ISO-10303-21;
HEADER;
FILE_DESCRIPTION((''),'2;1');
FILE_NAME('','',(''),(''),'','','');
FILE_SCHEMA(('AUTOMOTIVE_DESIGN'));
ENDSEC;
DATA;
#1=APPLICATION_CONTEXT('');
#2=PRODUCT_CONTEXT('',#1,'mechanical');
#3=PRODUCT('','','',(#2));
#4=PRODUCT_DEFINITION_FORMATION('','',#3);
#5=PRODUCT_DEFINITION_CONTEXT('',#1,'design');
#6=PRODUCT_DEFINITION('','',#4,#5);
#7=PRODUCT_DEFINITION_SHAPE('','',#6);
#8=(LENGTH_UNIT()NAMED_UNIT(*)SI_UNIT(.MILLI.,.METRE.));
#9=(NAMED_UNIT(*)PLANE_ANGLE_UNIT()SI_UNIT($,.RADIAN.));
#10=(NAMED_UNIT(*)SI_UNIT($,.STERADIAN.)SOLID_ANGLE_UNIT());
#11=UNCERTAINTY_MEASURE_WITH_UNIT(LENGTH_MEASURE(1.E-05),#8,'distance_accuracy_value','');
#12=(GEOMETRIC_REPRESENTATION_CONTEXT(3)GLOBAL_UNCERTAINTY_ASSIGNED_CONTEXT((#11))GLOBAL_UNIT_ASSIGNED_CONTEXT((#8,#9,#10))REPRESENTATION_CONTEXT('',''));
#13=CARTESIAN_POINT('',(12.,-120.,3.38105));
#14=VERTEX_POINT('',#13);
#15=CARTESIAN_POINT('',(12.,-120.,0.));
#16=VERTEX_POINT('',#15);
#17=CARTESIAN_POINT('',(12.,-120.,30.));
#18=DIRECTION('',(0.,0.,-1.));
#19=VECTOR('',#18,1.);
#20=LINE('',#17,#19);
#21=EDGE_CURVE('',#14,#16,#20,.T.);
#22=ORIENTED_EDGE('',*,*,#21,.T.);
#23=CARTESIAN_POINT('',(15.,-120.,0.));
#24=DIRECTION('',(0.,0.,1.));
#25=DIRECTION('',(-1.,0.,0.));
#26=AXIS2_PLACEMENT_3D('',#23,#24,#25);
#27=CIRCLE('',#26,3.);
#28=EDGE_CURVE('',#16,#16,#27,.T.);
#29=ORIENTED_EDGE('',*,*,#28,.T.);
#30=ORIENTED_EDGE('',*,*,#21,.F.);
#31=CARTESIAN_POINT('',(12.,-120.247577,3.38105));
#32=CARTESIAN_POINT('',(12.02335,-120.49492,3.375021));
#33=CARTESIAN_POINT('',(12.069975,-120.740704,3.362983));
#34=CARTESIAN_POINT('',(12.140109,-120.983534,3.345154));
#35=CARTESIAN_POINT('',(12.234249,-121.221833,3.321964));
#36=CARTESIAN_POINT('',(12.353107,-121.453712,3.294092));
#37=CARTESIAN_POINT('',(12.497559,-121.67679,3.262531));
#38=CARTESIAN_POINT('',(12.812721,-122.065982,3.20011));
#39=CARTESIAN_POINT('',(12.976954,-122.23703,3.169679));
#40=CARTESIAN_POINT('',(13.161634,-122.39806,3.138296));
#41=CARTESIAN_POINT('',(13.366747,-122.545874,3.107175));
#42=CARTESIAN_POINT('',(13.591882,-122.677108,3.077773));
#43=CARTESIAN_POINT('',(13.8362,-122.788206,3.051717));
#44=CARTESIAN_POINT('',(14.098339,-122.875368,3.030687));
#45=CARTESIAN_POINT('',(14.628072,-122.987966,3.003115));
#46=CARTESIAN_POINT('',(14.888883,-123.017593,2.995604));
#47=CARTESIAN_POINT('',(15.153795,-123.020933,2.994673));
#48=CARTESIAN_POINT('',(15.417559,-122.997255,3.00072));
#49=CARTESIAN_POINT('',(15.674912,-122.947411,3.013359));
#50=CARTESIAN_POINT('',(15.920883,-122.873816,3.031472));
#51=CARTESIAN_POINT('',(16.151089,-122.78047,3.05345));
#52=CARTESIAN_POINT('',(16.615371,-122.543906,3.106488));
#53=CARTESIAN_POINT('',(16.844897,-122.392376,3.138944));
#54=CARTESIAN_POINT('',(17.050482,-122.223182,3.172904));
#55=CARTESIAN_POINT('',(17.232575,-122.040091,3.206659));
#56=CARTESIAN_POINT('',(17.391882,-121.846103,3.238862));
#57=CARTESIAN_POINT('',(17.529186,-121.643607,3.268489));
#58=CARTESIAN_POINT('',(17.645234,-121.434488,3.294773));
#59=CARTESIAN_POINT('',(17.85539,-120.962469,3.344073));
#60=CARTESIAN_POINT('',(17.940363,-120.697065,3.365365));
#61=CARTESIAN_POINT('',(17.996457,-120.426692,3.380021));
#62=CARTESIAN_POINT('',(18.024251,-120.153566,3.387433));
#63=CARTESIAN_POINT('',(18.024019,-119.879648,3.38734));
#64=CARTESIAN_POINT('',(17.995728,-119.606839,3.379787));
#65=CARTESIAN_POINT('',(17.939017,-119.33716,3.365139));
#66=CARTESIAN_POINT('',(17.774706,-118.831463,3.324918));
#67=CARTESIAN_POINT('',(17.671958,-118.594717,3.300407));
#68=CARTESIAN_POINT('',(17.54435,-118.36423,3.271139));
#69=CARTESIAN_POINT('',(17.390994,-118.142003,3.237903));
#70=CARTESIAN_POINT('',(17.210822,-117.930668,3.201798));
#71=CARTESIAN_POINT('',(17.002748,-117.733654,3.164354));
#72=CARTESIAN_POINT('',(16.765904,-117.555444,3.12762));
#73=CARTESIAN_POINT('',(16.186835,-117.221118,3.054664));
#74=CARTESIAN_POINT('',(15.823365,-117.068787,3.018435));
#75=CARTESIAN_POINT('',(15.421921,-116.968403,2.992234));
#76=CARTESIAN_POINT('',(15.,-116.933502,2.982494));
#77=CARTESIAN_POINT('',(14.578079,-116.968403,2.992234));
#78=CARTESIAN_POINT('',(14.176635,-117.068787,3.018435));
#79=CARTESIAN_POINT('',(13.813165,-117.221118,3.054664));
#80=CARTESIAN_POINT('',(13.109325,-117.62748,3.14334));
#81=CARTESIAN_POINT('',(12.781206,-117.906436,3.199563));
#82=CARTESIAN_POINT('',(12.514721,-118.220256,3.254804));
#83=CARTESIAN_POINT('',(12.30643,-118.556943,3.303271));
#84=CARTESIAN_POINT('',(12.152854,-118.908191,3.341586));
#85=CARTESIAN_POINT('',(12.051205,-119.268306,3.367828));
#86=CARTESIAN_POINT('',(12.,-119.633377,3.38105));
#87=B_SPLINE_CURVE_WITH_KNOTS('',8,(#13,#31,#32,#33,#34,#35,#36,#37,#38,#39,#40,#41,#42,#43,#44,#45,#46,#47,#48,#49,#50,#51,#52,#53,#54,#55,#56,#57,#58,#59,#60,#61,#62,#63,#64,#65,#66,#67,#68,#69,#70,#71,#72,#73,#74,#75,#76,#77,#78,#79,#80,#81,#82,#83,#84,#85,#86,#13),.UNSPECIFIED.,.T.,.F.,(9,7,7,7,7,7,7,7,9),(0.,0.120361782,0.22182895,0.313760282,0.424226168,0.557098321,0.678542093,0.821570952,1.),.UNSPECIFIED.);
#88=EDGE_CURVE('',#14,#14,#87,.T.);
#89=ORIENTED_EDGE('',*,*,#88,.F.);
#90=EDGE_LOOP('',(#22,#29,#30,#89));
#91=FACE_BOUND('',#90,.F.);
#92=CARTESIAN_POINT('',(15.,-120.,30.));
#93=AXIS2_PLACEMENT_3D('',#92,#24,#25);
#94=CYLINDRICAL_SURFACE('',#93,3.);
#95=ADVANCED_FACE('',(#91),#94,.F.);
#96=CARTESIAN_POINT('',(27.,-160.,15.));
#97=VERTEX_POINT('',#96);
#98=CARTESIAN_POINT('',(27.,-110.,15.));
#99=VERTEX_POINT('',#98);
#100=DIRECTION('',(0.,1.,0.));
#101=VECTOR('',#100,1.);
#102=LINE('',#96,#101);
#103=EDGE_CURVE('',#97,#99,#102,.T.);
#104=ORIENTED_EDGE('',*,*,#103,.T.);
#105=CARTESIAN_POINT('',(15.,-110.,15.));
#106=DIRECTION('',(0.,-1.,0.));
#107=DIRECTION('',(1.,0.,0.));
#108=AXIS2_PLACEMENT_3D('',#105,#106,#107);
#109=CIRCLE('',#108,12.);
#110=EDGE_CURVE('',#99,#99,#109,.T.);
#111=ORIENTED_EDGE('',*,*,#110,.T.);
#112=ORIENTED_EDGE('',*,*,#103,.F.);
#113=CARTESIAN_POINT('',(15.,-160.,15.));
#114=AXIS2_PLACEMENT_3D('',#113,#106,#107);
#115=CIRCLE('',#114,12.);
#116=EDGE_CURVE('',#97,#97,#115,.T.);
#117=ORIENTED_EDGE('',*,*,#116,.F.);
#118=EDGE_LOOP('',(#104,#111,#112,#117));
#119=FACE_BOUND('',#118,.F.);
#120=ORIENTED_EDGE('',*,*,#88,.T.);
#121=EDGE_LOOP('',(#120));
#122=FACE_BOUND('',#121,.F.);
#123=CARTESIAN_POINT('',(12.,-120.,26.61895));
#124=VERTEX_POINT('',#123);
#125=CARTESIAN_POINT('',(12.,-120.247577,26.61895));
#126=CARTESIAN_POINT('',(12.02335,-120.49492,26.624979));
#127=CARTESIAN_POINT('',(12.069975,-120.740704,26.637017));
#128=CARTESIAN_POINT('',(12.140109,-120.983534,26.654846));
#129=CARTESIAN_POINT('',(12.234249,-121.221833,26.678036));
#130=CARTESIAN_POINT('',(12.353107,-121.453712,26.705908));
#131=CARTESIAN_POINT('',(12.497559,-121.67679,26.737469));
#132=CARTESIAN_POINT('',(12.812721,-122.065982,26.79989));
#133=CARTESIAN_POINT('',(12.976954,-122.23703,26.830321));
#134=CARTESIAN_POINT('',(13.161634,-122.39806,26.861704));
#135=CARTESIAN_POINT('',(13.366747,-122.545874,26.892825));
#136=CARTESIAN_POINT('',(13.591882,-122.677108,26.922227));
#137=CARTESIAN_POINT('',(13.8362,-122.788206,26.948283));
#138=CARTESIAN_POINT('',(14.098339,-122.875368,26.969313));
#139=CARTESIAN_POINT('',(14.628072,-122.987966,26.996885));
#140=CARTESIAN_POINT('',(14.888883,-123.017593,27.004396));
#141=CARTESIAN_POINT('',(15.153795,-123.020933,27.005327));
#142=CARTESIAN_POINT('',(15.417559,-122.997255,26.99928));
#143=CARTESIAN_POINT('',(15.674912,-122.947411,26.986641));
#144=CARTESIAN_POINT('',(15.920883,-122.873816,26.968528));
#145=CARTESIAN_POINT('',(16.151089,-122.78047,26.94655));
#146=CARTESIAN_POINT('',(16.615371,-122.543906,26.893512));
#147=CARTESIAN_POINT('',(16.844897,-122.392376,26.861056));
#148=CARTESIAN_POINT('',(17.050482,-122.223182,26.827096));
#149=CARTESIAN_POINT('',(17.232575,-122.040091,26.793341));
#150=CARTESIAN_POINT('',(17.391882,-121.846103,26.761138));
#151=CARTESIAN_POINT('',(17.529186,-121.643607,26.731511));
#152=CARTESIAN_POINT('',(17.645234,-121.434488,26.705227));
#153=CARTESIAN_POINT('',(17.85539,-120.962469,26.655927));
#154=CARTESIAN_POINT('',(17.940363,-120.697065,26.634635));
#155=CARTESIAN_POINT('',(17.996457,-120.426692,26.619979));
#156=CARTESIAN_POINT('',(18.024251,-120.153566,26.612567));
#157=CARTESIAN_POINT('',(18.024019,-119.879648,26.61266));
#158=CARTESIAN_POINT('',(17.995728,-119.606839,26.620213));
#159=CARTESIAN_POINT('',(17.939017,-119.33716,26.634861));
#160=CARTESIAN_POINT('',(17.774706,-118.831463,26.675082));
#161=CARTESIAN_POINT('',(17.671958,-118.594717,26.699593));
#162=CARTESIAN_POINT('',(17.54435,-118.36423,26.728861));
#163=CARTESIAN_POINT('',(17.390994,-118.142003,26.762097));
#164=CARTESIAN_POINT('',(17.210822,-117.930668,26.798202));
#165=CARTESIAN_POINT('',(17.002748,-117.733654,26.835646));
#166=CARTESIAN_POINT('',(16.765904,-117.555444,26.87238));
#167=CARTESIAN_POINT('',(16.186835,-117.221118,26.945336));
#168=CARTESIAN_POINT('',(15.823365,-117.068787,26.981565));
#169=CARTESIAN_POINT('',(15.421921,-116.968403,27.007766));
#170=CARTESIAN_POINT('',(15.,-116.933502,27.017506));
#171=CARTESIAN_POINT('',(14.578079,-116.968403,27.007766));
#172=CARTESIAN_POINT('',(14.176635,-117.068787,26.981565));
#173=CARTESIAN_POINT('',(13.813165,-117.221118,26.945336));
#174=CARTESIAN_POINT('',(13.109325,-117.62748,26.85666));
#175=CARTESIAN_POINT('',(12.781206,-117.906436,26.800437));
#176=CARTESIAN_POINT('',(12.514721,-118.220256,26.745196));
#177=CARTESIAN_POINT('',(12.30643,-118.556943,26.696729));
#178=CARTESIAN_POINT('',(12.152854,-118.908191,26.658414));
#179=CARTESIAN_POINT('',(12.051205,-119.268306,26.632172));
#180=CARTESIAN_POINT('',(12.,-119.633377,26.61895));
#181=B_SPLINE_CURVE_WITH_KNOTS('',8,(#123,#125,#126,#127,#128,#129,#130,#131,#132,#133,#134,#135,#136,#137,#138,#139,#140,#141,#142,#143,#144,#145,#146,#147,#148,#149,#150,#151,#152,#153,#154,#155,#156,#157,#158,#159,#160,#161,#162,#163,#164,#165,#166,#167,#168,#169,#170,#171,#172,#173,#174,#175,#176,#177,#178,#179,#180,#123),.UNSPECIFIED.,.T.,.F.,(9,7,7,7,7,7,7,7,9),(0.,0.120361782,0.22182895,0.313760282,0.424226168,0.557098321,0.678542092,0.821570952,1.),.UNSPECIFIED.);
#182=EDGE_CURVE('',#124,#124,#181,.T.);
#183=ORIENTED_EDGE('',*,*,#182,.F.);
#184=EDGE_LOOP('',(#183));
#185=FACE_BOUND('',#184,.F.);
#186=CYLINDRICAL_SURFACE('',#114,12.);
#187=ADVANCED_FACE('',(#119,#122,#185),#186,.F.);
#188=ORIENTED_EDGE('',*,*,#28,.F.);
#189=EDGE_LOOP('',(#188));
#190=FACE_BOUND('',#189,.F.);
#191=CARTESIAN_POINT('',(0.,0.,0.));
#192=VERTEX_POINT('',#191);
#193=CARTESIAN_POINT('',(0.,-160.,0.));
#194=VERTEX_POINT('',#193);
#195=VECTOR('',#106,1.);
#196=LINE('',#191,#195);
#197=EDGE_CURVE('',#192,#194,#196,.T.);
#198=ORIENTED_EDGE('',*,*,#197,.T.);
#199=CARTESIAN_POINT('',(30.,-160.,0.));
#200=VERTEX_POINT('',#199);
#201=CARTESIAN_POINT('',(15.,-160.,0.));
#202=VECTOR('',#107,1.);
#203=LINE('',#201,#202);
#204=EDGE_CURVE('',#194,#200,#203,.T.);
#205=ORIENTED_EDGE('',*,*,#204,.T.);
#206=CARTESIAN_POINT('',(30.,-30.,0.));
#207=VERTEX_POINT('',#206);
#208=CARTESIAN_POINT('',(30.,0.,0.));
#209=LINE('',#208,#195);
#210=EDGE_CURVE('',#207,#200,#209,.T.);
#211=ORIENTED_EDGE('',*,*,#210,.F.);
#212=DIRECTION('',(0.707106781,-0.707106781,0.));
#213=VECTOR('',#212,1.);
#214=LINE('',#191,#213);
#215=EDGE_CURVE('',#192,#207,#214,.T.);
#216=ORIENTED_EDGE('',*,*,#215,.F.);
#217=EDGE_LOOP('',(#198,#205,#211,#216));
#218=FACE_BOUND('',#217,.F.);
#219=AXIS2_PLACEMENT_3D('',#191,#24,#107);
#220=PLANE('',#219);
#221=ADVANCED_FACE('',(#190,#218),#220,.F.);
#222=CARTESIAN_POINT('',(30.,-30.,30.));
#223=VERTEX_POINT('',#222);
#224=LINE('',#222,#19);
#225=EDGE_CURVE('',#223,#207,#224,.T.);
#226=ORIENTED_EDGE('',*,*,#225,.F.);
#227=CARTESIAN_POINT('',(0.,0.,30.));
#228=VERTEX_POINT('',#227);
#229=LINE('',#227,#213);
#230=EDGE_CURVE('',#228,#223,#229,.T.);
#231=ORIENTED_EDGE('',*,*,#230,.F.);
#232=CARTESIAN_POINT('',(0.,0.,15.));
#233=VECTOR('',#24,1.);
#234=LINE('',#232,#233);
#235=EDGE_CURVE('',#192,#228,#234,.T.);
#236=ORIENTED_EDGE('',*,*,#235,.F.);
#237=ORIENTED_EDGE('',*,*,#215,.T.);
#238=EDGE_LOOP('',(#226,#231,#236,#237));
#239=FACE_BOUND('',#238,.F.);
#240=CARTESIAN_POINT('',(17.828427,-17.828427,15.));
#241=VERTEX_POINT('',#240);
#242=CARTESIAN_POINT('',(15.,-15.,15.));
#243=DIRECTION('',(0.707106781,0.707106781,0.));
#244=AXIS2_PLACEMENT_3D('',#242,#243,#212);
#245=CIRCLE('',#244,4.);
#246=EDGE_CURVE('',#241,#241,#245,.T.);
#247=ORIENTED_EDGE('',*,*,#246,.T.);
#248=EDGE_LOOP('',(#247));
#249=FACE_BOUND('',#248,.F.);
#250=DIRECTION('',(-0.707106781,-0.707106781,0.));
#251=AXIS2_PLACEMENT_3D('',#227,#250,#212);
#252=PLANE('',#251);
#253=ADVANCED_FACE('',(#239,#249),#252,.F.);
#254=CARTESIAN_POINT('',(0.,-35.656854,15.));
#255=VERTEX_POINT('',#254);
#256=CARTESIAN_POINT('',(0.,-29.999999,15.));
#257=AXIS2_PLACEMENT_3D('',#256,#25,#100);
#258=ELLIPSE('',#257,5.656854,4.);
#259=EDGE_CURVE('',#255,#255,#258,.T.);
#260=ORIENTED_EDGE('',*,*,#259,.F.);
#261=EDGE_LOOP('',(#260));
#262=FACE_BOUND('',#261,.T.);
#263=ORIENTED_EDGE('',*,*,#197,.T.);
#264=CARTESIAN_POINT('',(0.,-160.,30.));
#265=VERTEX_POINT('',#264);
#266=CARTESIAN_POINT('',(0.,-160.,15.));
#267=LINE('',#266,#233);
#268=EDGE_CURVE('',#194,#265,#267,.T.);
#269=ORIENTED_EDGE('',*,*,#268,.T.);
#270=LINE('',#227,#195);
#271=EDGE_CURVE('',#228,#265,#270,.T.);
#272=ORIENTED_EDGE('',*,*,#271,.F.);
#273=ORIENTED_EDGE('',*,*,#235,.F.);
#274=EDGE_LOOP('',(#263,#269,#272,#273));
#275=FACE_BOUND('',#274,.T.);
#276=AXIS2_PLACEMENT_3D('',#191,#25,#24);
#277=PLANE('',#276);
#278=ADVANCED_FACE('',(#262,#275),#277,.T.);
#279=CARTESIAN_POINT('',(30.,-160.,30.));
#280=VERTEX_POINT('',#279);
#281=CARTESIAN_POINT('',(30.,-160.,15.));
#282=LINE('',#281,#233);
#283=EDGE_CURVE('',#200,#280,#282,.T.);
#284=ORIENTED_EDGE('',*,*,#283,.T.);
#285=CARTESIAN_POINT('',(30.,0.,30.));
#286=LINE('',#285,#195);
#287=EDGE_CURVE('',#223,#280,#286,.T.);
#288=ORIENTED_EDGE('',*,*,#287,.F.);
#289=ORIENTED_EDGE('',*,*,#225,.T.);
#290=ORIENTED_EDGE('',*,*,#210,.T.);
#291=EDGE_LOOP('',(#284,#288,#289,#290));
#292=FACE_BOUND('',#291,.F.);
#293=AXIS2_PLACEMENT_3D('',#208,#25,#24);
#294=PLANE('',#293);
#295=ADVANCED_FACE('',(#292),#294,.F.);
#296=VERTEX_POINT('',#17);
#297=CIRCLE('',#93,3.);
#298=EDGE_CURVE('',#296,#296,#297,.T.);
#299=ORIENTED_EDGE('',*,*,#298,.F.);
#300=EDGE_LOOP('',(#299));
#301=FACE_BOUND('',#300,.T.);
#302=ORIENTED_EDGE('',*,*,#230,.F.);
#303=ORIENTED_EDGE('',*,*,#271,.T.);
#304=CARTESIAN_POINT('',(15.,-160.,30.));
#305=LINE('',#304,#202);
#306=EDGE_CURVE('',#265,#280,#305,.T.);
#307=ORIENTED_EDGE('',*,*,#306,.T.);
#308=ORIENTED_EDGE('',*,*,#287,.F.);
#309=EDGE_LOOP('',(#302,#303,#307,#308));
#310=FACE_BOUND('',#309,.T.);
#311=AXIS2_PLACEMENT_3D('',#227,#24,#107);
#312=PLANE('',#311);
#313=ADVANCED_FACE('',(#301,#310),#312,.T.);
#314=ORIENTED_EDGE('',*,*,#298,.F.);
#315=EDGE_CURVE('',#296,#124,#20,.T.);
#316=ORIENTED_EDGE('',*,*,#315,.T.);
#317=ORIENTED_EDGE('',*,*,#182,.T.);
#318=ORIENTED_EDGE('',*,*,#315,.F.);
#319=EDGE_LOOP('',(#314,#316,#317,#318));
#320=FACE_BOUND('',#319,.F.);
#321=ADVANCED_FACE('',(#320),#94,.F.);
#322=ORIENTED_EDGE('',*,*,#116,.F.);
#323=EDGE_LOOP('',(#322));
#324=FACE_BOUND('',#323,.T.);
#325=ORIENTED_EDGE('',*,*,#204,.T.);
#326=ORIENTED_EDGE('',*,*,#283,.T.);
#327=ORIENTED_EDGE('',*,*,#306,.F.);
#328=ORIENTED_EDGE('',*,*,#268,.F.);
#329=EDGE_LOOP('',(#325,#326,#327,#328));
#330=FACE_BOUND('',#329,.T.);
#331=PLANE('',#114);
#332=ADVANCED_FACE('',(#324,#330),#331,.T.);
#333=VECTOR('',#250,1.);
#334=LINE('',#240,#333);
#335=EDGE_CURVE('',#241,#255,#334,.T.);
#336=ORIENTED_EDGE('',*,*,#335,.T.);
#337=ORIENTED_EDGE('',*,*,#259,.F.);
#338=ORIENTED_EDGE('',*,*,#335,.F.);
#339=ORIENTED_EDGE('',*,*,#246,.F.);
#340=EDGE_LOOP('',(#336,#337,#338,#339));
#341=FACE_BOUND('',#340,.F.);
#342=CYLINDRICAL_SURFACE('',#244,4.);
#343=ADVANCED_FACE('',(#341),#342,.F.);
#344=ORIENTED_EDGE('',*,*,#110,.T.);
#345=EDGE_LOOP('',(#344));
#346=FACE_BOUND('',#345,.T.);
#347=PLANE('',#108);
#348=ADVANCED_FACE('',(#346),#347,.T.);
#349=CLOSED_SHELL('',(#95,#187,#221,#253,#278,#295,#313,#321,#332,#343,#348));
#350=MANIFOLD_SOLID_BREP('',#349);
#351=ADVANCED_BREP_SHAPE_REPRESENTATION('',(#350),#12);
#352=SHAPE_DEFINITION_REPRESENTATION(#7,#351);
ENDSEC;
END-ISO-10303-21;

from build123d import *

# Parameters (mm, degrees)
SKETCH_W        = 30
SKETCH_H        = 30
PAD_DEPTH       = 160
POCKET_DEPTH    = 30.001
SKETCH002_R     = 4
POCKET001_DEPTH = 113.138085
SKETCH003_R     = 12
POCKET002_DEPTH = 50
SKETCH004_R     = 3
POCKET003_DEPTH = 30.001


with BuildPart() as part:
    # Sketch → Pad (new body)
    with BuildSketch(Plane.XZ):
        with Locations((15, 15)):
            Rectangle(SKETCH_W, SKETCH_H)
    extrude(amount=PAD_DEPTH)

    # Sketch001 (on Face3 of Pad) → Pocket (cut, through all)
    with BuildSketch(Plane(origin=(0, 0, 30), x_dir=(-1, 0, 0), z_dir=(0, 0, 1))):
        Polygon((0, 0), (-30, 30), (-30, 0), align=None)
    extrude(amount=-POCKET_DEPTH, mode=Mode.SUBTRACT)

    # Sketch002 (on Face2 of Pocket) → Pocket001 (cut, through all)
    with BuildSketch(Plane(origin=(0, 0, 0), x_dir=(0.707107, -0.707107, 0), z_dir=(0.707107, 0.707107, 0))):
        with Locations((21.213203, -15)):
            Circle(SKETCH002_R)
    extrude(amount=-POCKET001_DEPTH, mode=Mode.SUBTRACT)

    # Sketch003 (on Face4 of Pocket001) → Pocket002 (cut)
    with BuildSketch(Plane.XZ.offset(160)):
        with Locations((15, 15)):
            Circle(SKETCH003_R)
    extrude(amount=-POCKET002_DEPTH, mode=Mode.SUBTRACT)

    # Sketch004 (on Face6 of Pocket002) → Pocket003 (cut, through all)
    with BuildSketch(Plane(origin=(0, 0, 30), x_dir=(-1, 0, 0), z_dir=(0, 0, 1))):
        with Locations((-15, 120)):
            Circle(SKETCH004_R)
    extrude(amount=-POCKET003_DEPTH, mode=Mode.SUBTRACT)


solid = part.part
